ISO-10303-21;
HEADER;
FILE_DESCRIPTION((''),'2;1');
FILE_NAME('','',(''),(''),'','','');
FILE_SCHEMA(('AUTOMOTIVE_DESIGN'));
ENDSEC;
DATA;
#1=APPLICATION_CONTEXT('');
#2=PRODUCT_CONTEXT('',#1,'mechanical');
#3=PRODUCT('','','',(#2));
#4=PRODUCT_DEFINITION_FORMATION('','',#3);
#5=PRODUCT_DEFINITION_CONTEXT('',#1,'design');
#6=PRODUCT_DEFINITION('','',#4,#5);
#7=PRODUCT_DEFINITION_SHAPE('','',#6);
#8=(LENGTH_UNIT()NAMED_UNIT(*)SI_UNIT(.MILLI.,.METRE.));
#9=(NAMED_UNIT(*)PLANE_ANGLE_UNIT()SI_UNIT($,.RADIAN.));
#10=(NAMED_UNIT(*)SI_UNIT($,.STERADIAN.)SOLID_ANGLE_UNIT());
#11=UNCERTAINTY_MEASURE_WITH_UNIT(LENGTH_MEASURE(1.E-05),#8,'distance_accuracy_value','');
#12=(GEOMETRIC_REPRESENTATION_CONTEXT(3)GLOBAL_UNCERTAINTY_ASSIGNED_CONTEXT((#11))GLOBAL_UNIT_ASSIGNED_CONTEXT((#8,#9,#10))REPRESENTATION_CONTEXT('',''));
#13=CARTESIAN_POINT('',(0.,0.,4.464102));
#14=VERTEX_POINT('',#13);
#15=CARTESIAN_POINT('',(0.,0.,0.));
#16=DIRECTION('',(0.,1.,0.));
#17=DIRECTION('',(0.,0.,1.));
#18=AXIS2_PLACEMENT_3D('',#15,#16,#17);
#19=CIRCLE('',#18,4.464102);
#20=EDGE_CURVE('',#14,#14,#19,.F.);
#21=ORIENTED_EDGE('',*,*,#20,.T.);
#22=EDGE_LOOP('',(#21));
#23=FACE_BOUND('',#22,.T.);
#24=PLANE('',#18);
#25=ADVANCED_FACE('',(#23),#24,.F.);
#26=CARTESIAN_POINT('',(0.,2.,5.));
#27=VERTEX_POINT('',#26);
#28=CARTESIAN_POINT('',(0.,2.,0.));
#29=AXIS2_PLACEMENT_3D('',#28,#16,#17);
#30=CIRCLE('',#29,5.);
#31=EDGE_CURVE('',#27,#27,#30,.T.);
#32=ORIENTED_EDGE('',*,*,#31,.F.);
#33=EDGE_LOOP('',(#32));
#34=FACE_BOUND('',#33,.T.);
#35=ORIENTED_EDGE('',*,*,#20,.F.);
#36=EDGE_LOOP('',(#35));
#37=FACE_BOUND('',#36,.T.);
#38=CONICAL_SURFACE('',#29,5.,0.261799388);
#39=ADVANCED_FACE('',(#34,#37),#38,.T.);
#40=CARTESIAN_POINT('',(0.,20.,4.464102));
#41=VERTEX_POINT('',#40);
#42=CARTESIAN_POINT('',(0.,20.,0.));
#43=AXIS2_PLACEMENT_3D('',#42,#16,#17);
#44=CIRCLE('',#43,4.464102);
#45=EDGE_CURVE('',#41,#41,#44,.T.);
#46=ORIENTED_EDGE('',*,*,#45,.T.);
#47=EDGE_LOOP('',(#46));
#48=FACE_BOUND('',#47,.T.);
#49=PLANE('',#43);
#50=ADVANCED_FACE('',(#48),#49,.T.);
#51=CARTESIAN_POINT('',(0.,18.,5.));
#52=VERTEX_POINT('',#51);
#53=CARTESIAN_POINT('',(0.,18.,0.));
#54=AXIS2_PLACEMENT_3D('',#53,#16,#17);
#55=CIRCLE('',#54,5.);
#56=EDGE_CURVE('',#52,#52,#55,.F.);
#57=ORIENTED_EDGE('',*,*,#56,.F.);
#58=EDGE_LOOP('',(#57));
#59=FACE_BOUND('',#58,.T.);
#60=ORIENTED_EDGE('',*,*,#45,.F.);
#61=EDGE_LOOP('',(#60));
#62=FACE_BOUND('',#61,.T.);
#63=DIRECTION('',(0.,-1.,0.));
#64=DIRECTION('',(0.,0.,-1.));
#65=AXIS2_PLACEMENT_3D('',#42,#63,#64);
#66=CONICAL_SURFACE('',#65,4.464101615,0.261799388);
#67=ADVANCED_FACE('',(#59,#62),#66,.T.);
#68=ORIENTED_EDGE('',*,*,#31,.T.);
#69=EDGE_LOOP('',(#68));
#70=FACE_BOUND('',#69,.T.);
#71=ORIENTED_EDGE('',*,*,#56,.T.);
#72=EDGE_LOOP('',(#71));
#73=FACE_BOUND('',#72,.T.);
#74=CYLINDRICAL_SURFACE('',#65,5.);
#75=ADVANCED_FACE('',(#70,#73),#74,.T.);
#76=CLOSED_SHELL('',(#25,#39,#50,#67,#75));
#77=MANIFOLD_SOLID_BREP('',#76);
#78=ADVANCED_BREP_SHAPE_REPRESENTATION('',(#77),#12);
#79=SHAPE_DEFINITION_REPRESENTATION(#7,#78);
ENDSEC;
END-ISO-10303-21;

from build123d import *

# Parameters (mm, degrees)
SKETCH1_R           = 5
BOSS_EXTRUDE1_DEPTH = 20
CHAMFER1_SIZE       = 2
CHAMFER1_SIZE2      = 0.535898385
CHAMFER2_SIZE       = 2
CHAMFER2_SIZE2      = 0.535898385


with BuildPart() as part:
    # Sketch1 → Boss-Extrude1 (new body)
    with BuildSketch(Plane(origin=(0, 0, 0), x_dir=(1, 0, 0), z_dir=(0, 1, 0))):
        with Locations(Location((0, 0, 0), (0, 0, 270))):
            Circle(SKETCH1_R)
    extrude(amount=BOSS_EXTRUDE1_DEPTH)

    # Chamfer1
    chamfer1_edges = [part.edges().sort_by_distance(p)[0] for p in [
        (0, 20, -5),
    ]]
    chamfer1_side = [part.faces().sort_by_distance(p)[0] for p in [
        (0, 10, -5),
    ]]
    chamfer(chamfer1_edges, length=CHAMFER1_SIZE, length2=CHAMFER1_SIZE2, reference=chamfer1_side[0])

    # Chamfer2
    chamfer2_edges = [part.edges().sort_by_distance(p)[0] for p in [
        (0, 0, -5),
    ]]
    chamfer2_side = [part.faces().sort_by_distance(p)[0] for p in [
        (0, 9, -5),
    ]]
    chamfer(chamfer2_edges, length=CHAMFER2_SIZE, length2=CHAMFER2_SIZE2, reference=chamfer2_side[0])


solid = part.part
